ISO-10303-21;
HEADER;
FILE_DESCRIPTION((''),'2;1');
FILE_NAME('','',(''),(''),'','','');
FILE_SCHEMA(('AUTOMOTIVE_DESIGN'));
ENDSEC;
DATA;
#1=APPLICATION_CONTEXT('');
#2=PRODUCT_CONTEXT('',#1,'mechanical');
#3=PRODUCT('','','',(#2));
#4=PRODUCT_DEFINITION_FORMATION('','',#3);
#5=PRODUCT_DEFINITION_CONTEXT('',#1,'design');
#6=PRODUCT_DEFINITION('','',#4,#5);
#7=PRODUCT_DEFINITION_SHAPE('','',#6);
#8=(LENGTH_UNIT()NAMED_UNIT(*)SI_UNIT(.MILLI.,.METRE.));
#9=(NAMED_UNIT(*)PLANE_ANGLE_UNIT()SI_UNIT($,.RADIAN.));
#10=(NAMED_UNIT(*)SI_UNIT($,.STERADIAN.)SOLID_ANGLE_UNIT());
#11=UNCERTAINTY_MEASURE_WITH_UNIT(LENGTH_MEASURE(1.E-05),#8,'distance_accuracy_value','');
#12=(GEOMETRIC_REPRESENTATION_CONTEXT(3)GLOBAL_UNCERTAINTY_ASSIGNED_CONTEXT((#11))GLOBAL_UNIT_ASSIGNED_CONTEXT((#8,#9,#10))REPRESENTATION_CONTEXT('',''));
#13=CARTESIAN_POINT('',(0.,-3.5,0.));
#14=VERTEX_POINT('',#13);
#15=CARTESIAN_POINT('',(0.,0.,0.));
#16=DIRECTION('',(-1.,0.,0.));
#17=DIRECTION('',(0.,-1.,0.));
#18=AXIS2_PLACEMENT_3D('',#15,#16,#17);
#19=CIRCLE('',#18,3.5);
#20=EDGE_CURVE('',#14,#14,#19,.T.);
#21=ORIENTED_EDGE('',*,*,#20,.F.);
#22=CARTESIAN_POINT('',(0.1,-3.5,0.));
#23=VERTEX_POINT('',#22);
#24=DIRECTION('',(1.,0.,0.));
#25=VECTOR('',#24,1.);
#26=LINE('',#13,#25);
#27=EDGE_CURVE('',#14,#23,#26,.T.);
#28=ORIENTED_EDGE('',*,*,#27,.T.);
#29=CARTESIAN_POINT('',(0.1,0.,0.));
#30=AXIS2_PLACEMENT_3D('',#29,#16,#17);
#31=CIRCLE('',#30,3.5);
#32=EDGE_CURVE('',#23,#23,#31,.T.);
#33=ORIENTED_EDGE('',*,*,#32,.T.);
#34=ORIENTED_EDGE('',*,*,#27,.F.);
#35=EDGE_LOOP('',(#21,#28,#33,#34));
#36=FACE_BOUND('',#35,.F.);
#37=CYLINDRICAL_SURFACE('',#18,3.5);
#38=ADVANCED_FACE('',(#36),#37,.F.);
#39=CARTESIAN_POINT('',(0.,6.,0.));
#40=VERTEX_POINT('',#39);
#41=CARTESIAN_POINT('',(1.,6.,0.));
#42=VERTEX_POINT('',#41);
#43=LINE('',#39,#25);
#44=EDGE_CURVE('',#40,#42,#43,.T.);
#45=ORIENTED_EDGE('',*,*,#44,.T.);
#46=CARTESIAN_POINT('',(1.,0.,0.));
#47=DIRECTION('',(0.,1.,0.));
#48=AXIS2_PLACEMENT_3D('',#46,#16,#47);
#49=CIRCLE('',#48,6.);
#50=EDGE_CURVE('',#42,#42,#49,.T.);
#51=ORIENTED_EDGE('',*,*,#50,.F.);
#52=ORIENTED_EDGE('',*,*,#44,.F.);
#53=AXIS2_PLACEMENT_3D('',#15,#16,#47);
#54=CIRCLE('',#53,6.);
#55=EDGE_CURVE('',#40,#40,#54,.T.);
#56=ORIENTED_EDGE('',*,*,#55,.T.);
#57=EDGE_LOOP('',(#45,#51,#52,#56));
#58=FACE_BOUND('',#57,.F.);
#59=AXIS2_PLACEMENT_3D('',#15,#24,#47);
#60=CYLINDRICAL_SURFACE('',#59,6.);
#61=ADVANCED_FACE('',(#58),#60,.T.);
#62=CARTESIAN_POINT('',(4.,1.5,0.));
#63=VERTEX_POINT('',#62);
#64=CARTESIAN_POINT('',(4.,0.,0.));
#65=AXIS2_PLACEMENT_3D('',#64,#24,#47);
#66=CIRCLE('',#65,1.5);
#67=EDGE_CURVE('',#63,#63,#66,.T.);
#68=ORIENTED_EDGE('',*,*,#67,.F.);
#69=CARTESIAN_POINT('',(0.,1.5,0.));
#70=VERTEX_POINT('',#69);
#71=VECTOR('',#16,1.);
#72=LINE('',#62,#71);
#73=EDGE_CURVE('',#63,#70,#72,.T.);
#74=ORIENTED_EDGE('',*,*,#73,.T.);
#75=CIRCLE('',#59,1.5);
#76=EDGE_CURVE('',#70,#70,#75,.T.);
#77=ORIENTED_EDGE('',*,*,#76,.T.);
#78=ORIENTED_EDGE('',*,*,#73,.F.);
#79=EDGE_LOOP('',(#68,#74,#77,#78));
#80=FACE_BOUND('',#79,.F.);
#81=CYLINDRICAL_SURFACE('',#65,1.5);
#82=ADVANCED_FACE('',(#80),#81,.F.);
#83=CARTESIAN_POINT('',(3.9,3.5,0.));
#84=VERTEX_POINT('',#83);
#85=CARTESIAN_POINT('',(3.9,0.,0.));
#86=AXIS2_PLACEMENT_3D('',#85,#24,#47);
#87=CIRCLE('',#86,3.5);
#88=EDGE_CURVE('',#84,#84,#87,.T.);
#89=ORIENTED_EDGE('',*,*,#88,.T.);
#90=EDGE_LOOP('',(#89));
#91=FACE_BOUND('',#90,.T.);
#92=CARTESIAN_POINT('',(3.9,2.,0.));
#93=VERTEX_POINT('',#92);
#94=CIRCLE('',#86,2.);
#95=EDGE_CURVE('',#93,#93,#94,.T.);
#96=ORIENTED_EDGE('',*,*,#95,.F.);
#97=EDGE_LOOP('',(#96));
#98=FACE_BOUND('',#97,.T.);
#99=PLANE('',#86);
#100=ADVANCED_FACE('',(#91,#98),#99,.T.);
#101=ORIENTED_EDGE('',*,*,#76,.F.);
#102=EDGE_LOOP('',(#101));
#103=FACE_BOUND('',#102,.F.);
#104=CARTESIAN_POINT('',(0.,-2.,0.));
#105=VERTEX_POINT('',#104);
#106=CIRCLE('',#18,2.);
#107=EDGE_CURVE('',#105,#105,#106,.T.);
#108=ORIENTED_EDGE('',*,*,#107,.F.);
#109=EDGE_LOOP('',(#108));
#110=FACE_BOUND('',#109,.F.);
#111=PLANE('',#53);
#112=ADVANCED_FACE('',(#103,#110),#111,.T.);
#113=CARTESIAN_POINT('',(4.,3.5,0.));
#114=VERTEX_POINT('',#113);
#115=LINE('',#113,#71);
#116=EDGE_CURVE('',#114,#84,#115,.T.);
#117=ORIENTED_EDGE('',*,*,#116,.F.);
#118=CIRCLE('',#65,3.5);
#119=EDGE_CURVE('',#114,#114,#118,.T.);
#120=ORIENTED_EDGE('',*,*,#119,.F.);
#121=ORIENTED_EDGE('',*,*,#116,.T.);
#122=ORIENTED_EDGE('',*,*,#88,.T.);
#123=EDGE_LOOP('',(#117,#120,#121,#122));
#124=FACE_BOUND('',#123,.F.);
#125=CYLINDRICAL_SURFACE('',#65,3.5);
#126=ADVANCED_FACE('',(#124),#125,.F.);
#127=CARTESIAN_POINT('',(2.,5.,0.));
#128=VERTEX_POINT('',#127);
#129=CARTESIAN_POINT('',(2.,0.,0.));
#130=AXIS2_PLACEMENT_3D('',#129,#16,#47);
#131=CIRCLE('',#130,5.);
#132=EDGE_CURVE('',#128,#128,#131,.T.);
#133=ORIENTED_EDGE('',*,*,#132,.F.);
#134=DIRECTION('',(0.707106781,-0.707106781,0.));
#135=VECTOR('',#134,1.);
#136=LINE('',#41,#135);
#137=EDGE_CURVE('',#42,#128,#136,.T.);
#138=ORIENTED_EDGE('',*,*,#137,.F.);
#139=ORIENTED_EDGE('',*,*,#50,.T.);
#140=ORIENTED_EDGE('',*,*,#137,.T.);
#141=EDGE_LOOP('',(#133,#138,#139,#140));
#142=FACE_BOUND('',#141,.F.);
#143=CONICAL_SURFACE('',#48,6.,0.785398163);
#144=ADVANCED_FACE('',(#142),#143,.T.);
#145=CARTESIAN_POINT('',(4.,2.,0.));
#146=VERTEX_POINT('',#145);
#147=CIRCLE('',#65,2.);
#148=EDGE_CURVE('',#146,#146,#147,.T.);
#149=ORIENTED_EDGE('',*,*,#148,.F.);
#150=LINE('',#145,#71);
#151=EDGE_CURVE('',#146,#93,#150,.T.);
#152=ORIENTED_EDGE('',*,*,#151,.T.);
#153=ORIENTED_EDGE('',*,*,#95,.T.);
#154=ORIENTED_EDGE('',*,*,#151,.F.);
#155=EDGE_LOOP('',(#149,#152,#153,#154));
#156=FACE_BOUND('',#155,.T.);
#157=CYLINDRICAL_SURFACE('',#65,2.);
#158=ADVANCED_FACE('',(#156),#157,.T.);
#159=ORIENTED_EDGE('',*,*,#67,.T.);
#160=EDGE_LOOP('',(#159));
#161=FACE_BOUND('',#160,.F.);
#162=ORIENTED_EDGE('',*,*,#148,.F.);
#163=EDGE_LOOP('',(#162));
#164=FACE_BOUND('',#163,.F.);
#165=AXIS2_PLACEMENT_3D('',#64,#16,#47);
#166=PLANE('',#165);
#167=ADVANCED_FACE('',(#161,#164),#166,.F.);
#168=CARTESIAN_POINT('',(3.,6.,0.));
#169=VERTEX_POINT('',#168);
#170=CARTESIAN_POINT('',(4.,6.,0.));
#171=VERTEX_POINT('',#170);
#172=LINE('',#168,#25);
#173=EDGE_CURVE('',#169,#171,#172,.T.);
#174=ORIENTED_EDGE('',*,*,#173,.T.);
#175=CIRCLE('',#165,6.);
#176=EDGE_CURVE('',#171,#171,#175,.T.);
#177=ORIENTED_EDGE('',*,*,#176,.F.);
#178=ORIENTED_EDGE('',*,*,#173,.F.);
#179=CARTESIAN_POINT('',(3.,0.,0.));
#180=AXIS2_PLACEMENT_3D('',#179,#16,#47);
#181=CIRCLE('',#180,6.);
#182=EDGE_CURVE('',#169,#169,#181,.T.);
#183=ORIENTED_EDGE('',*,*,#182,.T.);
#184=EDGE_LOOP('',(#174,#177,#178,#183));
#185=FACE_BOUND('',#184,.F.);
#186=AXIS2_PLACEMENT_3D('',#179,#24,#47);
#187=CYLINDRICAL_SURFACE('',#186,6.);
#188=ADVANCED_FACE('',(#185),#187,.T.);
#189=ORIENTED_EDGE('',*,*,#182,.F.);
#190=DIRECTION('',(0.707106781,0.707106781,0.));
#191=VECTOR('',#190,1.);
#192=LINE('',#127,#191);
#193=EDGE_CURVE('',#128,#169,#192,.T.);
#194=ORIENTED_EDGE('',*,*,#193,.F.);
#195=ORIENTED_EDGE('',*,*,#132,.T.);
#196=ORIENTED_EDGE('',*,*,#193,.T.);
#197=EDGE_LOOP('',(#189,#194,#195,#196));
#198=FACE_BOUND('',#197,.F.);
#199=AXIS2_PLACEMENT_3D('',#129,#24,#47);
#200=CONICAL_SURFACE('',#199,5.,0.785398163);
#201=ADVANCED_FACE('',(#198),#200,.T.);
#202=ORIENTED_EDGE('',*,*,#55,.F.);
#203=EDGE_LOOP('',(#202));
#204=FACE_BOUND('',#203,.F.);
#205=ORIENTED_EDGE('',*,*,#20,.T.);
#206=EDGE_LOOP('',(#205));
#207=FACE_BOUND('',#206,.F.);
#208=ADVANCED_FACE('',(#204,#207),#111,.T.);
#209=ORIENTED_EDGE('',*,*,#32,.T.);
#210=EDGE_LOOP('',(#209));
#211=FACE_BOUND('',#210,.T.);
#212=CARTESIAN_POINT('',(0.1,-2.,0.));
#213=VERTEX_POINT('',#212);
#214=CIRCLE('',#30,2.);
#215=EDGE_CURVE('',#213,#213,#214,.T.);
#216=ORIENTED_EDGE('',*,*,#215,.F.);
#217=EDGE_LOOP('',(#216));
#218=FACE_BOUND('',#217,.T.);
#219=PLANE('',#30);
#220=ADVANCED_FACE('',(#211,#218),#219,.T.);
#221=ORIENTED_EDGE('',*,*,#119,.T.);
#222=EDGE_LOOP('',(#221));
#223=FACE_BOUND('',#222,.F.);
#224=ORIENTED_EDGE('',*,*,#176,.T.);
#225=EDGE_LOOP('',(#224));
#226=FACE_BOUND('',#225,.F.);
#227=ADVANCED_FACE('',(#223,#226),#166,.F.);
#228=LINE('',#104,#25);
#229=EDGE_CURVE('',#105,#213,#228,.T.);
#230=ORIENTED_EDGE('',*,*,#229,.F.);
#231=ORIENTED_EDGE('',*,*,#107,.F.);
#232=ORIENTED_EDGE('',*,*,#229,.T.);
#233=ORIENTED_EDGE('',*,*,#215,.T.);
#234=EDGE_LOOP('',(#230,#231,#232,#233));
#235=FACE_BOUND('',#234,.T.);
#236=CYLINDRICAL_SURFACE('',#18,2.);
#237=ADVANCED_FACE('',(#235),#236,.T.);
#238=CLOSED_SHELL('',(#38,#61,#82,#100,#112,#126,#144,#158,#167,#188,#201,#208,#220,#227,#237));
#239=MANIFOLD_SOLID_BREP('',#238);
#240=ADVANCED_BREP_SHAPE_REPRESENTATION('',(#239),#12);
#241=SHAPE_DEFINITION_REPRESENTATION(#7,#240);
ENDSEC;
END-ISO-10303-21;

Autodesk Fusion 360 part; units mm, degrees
sketch "Sketch2" plane through (0, 0, 0) normal (0, 0, 1) x (1, 0, 0)
  line L0 (0, 0) -> (0, 6)
  line L1 (4, 6) -> (4, 0)
  line L2 (4, 0) -> (0, 0)
  line L3 (1, 6) -> (2, 5)
  line L4 (2, 5) -> (3, 6)
  line L5 (0, 6) -> (1, 6)
  line L6 (3, 6) -> (4, 6)
  dimension "d12" = 4
  dimension "d13" = 1
  dimension "d14" = 1
  dimension "d15" = 6
revolve "Revolve1" add sketch "Sketch2" angle 360 about axis through (4, 0, 0) along (-1, 0, 0)
sketch "Sketch3" plane through (4, 0, 0) normal (1, 0, 0) x (0, 1, 0)
  circle A0 centre (0, 0) radius 6
  circle A1 centre (0, 0) radius 1.5
  dimension "d18" = 3
extrude "Extrude2" cut sketch "Sketch3" against normal through all contours A1
sketch "Sketch4" plane through (4, 0, 0) normal (1, 0, 0) x (0, 1, 0)
  circle A0 centre (0, 0) radius 1.5
  circle A1 centre (0, 0) radius 6
  circle A2 centre (0, 0) radius 3.5
  circle A3 centre (0, 0) radius 2
  dimension "d20" = 7
  dimension "d21" = 4
extrude "Extrude3" cut sketch "Sketch4" against normal blind 0.1 contours A2
sketch "Sketch5" plane through (0, 0, 0) normal (-1, 0, 0) x (0, -1, 0)
  circle A0 centre (0, 0) radius 1.5
  circle A1 centre (0, 0) radius 6
  circle A2 centre (0, 0) radius 2
  circle A3 centre (0, 0) radius 3.5
  dimension "d24" = 7
  dimension "d25" = 4
extrude "Extrude4" cut sketch "Sketch5" against normal blind 0.1 contours A3
